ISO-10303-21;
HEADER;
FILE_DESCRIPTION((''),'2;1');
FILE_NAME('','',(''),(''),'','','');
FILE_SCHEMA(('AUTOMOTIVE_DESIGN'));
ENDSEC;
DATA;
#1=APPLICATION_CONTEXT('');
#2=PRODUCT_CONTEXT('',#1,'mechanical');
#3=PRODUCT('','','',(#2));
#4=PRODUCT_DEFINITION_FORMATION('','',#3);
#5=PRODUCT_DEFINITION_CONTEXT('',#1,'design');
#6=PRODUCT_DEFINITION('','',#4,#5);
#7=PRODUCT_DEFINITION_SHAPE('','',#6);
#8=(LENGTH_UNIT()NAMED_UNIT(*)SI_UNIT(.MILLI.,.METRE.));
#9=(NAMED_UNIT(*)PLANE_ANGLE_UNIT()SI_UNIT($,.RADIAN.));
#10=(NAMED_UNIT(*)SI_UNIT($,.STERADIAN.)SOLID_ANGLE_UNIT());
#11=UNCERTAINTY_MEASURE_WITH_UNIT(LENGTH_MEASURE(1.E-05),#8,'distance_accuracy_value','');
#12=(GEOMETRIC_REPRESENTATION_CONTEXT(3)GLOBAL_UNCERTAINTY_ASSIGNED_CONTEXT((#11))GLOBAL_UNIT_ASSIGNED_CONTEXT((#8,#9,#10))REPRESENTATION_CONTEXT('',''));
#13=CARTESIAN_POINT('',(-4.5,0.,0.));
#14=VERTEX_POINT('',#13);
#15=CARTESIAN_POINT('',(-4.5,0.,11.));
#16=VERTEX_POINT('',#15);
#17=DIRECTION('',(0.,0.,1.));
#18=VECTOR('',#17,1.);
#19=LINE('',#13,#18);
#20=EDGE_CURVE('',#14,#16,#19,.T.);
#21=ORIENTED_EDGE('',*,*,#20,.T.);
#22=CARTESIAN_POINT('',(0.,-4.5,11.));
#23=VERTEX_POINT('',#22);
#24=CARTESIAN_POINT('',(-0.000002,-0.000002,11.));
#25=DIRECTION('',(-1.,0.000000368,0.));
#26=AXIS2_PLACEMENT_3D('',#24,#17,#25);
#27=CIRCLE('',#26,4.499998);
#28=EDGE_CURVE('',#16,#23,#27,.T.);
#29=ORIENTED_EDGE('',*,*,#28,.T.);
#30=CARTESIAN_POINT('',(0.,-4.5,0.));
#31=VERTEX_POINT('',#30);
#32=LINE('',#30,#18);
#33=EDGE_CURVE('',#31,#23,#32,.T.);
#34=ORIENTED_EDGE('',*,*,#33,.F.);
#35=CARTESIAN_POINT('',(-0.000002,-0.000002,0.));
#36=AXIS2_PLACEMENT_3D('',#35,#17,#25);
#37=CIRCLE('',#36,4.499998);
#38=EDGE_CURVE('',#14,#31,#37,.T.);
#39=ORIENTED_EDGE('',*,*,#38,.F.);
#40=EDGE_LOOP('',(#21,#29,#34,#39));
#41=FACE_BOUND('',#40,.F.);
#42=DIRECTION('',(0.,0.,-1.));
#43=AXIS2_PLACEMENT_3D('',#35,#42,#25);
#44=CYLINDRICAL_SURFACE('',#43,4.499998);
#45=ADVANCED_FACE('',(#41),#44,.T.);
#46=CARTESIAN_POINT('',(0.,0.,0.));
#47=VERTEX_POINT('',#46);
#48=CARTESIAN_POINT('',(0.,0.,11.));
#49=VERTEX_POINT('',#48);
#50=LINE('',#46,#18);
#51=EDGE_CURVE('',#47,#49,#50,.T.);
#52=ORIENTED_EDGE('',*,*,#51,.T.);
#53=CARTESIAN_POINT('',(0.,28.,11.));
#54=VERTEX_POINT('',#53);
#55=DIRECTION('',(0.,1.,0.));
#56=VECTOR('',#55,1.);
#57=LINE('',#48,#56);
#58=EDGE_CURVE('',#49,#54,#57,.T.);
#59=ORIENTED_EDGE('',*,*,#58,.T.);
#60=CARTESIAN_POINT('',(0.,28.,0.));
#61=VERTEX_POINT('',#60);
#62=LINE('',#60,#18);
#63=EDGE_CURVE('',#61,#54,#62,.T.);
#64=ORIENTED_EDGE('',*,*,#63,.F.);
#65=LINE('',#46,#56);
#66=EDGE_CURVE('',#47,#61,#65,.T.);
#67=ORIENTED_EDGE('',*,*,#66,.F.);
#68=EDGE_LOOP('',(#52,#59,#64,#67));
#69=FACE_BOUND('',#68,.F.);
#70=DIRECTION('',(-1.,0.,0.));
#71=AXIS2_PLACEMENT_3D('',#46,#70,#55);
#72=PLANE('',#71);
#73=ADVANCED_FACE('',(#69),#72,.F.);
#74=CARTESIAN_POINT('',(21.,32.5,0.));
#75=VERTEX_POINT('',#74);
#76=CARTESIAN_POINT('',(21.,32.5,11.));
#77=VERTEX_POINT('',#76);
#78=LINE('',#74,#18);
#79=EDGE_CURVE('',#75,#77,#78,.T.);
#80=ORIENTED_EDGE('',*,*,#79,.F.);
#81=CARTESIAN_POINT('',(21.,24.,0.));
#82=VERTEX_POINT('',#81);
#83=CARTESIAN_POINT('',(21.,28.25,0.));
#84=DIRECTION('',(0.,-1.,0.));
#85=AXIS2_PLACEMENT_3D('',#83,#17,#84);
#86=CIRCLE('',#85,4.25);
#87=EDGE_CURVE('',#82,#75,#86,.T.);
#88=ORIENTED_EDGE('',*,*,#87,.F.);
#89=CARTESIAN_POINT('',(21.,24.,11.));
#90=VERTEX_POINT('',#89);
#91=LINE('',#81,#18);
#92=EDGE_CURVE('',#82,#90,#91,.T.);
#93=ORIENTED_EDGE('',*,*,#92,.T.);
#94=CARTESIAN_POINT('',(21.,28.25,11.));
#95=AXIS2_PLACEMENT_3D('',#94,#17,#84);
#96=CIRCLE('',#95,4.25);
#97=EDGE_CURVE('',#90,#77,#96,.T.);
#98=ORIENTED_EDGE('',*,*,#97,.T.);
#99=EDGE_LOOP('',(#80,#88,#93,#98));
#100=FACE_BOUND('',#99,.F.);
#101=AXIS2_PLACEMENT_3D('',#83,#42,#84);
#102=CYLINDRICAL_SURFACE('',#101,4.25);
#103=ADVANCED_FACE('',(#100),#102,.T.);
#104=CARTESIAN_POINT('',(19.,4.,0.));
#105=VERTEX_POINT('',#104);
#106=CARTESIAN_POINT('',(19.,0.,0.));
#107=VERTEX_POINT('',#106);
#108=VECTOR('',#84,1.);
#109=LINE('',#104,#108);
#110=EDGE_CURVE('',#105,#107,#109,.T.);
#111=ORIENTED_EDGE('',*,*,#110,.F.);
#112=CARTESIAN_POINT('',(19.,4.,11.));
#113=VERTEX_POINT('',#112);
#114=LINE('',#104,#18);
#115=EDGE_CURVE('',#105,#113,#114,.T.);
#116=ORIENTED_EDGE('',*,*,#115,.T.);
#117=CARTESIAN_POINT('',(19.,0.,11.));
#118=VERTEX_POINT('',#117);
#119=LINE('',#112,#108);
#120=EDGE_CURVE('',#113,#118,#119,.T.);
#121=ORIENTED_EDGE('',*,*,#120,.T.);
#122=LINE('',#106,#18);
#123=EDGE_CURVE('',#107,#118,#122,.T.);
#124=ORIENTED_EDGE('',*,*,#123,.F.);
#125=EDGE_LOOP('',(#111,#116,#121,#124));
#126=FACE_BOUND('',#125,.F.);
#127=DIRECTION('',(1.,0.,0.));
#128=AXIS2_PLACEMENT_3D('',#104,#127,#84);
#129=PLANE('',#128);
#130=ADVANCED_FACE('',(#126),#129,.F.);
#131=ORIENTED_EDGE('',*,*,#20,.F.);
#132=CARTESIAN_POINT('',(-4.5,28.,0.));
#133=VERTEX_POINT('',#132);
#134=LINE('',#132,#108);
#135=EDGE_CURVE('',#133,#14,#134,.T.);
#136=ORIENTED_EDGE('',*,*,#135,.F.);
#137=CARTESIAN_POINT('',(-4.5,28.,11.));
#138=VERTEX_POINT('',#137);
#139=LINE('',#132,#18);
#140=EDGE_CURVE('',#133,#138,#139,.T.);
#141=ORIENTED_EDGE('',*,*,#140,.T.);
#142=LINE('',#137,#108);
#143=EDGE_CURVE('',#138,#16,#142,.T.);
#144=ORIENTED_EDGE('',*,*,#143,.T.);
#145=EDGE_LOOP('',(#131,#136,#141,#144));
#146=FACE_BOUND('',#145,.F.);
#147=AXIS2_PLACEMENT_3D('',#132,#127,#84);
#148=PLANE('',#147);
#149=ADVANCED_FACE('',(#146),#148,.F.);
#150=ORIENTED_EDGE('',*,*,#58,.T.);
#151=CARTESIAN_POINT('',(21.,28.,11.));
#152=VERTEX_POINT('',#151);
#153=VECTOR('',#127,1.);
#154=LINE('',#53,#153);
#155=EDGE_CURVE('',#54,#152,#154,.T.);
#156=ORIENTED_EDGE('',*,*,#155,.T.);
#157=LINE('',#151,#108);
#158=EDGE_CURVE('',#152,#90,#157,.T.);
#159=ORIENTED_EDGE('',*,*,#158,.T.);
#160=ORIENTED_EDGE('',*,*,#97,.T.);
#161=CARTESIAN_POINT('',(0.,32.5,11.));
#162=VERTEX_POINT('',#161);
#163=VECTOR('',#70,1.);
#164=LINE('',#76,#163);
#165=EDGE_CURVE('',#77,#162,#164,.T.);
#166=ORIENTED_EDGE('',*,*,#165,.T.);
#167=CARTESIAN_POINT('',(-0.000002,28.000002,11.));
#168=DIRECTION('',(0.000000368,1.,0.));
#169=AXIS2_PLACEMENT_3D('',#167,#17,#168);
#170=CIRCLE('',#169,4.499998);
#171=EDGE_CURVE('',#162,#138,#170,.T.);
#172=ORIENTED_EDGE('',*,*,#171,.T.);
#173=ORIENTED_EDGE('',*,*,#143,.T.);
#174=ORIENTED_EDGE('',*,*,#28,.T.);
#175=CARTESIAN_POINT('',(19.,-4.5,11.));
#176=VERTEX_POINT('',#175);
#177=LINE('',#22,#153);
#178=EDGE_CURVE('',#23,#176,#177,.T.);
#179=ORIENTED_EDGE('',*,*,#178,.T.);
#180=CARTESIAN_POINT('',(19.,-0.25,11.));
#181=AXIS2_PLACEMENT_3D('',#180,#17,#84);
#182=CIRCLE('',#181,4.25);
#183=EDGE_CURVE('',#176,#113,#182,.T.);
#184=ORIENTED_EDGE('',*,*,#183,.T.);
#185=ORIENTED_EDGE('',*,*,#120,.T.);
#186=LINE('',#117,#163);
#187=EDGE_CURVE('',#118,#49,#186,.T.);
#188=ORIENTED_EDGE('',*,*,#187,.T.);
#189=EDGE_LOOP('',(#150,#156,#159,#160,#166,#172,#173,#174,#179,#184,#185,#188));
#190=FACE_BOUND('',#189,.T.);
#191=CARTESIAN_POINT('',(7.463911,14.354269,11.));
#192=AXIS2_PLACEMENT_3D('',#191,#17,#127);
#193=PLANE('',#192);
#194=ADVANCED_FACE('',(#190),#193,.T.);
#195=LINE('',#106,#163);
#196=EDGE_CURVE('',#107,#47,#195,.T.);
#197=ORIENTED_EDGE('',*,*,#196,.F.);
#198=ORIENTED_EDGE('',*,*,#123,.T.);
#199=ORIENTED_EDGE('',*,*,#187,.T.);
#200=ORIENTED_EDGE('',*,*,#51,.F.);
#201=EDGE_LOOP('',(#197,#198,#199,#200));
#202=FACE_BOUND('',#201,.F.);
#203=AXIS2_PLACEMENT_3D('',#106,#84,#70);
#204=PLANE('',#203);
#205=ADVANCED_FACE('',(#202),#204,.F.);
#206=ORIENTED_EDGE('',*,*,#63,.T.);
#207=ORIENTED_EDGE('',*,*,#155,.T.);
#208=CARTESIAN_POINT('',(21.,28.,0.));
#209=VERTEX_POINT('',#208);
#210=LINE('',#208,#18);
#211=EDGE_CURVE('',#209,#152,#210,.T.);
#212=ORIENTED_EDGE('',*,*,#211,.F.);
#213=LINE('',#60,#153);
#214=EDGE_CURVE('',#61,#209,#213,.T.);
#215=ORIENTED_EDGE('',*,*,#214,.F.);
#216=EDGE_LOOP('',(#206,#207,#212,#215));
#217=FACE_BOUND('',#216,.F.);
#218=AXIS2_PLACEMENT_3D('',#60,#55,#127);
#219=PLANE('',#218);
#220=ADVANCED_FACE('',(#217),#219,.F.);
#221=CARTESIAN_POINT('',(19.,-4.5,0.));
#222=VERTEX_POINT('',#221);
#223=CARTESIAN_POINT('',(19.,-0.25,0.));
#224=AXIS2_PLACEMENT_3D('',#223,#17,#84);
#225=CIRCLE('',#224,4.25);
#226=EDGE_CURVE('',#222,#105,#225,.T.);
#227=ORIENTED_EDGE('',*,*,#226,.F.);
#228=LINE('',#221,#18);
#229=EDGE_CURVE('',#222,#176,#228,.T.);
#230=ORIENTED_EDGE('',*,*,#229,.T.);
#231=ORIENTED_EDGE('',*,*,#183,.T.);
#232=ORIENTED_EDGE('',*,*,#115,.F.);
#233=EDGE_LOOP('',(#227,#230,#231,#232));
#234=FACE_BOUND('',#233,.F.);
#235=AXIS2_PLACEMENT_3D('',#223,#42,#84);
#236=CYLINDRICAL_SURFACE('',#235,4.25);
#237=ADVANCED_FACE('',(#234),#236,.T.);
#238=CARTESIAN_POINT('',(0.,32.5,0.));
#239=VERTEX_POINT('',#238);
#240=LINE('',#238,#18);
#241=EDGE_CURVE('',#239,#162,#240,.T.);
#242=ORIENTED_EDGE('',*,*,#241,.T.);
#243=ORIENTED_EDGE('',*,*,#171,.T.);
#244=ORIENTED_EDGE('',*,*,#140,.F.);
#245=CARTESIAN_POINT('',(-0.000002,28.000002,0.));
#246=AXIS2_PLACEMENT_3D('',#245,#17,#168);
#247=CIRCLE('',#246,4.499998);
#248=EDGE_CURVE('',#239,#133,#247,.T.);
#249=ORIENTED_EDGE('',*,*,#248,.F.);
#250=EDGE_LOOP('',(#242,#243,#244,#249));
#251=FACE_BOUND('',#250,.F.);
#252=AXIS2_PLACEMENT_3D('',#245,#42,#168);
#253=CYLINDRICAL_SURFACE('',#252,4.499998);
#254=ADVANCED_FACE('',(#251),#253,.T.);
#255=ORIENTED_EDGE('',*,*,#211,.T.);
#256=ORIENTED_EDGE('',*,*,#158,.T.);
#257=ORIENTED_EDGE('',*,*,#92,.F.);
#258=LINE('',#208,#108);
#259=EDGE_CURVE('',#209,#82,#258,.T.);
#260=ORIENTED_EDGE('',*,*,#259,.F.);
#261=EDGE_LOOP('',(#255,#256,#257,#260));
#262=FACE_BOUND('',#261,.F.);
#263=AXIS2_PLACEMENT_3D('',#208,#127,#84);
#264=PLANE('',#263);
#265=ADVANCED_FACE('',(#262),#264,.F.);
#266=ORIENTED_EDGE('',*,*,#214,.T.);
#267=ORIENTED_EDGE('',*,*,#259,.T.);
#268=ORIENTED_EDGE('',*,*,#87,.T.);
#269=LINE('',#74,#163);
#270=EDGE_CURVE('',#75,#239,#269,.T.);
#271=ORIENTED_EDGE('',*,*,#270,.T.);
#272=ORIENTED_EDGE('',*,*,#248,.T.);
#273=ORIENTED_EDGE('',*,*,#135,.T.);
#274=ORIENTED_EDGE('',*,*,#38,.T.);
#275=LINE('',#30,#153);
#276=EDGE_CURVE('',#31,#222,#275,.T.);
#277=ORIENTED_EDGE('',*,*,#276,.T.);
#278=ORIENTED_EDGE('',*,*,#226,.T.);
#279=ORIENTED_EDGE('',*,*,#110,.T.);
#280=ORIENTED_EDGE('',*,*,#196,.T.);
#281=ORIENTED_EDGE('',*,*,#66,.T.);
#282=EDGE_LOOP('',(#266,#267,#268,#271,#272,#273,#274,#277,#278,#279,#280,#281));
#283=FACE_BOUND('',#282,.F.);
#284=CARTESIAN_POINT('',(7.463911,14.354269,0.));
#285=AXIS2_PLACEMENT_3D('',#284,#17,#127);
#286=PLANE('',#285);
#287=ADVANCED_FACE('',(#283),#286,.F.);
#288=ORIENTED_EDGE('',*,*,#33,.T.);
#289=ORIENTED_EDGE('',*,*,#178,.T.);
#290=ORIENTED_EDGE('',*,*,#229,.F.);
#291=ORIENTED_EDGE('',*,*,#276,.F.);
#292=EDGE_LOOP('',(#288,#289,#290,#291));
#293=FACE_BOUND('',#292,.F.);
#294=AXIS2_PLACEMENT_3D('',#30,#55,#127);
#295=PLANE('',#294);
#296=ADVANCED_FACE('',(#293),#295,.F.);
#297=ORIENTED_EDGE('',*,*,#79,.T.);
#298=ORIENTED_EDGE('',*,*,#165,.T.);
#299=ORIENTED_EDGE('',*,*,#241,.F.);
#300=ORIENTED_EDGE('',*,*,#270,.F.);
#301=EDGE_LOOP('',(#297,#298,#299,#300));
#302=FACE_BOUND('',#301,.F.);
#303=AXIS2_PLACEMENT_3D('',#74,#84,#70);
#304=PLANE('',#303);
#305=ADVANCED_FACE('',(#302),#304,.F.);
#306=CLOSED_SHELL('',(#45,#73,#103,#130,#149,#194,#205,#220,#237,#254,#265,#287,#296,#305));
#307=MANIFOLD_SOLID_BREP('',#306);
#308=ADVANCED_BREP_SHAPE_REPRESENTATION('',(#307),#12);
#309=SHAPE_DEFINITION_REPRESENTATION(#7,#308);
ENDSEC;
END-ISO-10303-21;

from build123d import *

# Parameters (mm, degrees)
F1_DEPTH = 11


with BuildPart() as f1:
    # F0 (on Top) → F1 (new body)
    with BuildSketch(Plane.XY):
        with BuildLine():
            Line((19, 0), (0, 0))
            Line((0, 0), (0, 28))
            Line((0, 28), (21, 28))
            Line((21, 28), (21, 24))
            ThreePointArc((21, 24), (25.25, 28.25), (21, 32.5))
            Line((21, 32.5), (0, 32.5))
            ThreePointArc((0, 32.5), (-3.181981, 31.181981), (-4.5, 28))
            Line((-4.5, 28), (-4.5, 0))
            ThreePointArc((-4.5, 0), (-3.181981, -3.181981), (0, -4.5))
            Line((0, -4.5), (19, -4.5))
            ThreePointArc((19, -4.5), (23.25, -0.25), (19, 4))
            Line((19, 4), (19, 0))
        make_face()
    extrude(amount=F1_DEPTH)


solid = f1.part
